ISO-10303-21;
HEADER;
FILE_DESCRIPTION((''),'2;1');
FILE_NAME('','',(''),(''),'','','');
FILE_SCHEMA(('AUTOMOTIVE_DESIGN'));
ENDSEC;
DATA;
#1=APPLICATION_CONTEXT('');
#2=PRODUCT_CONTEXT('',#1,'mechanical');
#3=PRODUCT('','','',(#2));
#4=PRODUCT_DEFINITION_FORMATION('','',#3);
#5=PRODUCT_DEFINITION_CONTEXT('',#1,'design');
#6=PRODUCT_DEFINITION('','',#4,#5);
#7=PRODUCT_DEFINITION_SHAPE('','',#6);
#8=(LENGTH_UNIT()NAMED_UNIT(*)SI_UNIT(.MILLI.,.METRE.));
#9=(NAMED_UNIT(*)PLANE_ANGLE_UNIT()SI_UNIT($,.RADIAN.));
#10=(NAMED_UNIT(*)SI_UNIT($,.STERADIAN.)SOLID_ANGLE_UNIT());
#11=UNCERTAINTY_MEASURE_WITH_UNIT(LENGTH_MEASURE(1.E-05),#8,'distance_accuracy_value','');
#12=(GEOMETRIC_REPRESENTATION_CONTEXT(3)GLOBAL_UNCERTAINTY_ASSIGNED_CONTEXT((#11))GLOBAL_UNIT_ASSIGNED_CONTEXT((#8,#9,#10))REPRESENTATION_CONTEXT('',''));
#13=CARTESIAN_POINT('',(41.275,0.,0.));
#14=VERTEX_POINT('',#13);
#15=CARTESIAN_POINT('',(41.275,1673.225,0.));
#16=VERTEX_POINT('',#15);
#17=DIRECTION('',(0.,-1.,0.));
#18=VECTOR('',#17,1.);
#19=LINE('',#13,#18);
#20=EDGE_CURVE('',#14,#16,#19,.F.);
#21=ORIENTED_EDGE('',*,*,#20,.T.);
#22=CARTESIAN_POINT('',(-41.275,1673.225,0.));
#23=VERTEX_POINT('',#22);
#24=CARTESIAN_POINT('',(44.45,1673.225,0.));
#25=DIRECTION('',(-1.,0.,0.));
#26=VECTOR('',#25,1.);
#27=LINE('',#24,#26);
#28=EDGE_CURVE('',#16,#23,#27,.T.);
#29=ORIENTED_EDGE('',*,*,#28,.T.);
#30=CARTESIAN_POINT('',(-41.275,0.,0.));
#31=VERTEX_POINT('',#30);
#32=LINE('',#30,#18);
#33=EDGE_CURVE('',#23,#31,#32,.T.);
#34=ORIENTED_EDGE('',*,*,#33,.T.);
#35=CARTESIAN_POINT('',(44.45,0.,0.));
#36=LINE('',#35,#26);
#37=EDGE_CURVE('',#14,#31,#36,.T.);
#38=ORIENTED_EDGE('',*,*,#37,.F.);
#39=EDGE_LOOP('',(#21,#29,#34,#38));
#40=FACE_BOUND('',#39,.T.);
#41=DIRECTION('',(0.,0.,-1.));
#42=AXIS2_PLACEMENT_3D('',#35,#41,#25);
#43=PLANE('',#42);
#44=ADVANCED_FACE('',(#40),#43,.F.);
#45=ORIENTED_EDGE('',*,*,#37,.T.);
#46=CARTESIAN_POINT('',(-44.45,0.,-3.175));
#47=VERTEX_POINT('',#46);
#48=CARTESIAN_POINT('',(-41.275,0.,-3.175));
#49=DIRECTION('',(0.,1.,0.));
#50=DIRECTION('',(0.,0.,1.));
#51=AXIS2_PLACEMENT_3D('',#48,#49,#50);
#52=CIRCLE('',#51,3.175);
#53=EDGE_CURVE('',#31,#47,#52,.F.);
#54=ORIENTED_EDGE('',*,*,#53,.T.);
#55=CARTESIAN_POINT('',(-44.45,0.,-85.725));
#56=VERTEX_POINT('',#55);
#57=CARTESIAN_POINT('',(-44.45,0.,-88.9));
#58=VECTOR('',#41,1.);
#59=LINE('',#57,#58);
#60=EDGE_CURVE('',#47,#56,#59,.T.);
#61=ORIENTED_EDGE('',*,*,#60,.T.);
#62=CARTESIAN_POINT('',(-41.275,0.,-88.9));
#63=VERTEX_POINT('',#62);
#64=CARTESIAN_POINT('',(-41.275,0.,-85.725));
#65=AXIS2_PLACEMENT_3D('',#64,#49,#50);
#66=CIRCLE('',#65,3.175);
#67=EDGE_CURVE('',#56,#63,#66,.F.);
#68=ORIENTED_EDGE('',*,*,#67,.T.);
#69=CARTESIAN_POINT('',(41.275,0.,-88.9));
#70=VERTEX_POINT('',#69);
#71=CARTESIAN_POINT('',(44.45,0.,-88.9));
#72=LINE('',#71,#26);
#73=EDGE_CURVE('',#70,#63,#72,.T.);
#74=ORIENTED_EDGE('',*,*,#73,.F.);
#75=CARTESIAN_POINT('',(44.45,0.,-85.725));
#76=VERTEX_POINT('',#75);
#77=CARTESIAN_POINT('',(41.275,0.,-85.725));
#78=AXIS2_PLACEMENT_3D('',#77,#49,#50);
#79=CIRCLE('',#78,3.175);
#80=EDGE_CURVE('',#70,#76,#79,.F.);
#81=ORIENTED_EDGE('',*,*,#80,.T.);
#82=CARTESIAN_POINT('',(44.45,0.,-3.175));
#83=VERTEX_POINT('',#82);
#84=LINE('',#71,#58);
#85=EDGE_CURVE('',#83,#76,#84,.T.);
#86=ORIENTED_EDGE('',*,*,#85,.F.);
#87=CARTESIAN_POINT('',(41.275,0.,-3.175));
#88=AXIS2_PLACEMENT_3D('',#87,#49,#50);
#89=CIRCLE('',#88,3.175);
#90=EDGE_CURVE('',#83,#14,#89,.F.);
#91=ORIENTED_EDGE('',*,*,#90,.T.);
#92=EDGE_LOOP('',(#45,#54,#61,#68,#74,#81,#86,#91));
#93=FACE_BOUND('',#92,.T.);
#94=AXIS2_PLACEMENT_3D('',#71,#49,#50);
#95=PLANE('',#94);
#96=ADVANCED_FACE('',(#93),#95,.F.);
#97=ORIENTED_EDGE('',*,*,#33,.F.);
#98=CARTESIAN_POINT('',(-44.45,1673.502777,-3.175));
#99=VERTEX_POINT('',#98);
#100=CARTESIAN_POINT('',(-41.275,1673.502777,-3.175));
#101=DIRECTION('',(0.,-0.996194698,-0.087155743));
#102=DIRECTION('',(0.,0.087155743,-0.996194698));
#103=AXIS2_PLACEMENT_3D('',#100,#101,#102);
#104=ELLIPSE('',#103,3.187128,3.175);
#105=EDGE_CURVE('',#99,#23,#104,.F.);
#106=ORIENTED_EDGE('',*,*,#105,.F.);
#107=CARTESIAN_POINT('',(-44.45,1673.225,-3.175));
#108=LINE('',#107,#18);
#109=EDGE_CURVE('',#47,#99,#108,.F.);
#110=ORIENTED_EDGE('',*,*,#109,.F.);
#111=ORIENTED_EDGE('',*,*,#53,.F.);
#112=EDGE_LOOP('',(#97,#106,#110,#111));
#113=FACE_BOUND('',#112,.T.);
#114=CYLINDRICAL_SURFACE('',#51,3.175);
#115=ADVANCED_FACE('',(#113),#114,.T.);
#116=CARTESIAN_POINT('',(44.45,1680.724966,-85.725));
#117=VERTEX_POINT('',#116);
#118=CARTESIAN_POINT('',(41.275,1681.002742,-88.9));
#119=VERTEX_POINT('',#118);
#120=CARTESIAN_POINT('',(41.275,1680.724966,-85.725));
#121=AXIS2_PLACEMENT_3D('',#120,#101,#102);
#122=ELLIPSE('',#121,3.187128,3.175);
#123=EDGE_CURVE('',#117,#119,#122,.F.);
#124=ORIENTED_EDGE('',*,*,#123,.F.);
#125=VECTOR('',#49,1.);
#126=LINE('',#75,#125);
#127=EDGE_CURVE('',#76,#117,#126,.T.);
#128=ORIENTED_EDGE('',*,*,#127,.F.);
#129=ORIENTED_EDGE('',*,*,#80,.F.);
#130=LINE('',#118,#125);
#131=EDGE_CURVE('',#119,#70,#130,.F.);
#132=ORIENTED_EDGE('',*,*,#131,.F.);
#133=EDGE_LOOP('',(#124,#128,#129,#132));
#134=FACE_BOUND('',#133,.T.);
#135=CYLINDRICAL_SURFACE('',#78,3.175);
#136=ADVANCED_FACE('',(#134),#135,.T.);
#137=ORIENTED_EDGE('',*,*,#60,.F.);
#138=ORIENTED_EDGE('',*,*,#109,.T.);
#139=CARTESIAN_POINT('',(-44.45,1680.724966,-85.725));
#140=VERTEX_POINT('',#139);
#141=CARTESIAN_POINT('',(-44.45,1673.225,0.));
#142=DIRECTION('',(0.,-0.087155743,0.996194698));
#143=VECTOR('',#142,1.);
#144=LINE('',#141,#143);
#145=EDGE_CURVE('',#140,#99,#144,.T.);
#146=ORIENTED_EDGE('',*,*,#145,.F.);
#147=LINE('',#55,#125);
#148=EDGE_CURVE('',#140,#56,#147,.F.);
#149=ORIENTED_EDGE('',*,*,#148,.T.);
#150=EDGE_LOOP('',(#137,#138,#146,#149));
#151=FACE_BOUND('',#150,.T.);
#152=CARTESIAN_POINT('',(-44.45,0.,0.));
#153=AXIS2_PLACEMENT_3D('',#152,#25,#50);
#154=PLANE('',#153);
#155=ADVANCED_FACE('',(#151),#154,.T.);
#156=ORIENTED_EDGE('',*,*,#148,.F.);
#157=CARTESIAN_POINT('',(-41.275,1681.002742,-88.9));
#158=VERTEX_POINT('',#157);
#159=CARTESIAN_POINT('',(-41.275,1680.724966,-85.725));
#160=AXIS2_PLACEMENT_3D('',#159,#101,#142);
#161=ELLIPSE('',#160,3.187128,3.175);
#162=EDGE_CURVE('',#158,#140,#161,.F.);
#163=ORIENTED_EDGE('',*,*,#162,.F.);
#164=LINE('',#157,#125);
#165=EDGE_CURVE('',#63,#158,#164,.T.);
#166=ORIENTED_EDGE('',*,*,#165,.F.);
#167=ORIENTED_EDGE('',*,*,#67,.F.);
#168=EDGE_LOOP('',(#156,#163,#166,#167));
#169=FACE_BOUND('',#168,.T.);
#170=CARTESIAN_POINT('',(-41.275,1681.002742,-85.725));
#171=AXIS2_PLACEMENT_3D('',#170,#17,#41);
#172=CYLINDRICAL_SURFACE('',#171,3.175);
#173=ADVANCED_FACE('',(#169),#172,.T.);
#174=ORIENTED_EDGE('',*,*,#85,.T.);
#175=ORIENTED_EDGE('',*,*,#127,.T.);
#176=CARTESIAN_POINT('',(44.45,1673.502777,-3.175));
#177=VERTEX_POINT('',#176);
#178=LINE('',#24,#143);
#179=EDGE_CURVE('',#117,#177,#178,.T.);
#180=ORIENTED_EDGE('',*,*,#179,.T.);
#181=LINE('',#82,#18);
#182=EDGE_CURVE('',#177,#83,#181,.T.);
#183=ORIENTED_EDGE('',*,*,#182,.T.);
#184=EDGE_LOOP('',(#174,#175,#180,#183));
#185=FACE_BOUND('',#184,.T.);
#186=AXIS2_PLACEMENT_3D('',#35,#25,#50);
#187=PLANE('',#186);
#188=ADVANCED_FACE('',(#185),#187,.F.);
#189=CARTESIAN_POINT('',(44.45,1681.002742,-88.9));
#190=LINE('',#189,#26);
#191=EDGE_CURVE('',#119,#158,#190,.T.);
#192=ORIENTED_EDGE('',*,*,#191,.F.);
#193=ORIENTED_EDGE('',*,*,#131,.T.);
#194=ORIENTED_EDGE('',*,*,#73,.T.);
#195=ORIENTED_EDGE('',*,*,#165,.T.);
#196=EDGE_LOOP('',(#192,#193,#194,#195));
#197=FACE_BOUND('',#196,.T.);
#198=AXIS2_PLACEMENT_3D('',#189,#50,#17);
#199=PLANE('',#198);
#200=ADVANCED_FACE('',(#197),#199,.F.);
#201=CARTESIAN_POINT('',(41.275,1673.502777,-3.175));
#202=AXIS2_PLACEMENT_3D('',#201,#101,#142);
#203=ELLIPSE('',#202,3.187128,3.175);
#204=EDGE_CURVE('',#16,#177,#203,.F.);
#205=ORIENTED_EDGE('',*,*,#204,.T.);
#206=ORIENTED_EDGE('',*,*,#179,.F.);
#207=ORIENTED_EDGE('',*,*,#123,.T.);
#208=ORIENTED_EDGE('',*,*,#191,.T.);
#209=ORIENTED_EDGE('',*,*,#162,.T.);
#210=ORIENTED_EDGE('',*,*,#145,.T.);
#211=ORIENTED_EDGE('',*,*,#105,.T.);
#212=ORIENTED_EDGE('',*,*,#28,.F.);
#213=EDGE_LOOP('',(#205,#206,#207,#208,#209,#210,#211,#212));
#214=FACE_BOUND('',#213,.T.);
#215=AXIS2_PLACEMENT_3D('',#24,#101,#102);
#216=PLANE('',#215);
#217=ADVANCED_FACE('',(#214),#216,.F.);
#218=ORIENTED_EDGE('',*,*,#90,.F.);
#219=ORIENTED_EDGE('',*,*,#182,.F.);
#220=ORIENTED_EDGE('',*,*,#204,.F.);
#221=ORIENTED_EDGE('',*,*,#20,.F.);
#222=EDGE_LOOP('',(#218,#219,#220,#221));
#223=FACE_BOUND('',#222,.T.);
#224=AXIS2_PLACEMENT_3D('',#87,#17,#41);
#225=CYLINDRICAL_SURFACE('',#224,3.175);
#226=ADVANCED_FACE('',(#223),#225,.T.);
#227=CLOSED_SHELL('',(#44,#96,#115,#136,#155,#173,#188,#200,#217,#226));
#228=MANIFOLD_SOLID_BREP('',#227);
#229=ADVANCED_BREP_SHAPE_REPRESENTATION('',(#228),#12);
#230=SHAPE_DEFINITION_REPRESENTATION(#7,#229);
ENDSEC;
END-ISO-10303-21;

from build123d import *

# Parameters (mm, degrees)
BOSS_EXTRUDE1_DEPTH = 44.45
FILLET1_R           = 3.175


with BuildPart() as part:
    # Sketch1 → Boss-Extrude1 (new, symmetric)
    with BuildSketch(Plane(origin=(0, 0, 0), x_dir=(0, 0, -1), z_dir=(1, 0, 0))):
        Polygon((0, 0), (0, 1673.225), (88.9, 1681.002742187), (88.9, 0), align=None)
    extrude(amount=BOSS_EXTRUDE1_DEPTH, both=True)

    # Fillet1
    fillet1_edges = [part.edges().sort_by_distance(p)[0] for p in [
        (44.45, 836.6125, 0),
        (-44.45, 836.6125, 0),
        (-44.45, 840.501371094, -88.9),
        (44.45, 840.501371094, -88.9),
    ]]
    fillet(fillet1_edges, radius=FILLET1_R)


solid = part.part
